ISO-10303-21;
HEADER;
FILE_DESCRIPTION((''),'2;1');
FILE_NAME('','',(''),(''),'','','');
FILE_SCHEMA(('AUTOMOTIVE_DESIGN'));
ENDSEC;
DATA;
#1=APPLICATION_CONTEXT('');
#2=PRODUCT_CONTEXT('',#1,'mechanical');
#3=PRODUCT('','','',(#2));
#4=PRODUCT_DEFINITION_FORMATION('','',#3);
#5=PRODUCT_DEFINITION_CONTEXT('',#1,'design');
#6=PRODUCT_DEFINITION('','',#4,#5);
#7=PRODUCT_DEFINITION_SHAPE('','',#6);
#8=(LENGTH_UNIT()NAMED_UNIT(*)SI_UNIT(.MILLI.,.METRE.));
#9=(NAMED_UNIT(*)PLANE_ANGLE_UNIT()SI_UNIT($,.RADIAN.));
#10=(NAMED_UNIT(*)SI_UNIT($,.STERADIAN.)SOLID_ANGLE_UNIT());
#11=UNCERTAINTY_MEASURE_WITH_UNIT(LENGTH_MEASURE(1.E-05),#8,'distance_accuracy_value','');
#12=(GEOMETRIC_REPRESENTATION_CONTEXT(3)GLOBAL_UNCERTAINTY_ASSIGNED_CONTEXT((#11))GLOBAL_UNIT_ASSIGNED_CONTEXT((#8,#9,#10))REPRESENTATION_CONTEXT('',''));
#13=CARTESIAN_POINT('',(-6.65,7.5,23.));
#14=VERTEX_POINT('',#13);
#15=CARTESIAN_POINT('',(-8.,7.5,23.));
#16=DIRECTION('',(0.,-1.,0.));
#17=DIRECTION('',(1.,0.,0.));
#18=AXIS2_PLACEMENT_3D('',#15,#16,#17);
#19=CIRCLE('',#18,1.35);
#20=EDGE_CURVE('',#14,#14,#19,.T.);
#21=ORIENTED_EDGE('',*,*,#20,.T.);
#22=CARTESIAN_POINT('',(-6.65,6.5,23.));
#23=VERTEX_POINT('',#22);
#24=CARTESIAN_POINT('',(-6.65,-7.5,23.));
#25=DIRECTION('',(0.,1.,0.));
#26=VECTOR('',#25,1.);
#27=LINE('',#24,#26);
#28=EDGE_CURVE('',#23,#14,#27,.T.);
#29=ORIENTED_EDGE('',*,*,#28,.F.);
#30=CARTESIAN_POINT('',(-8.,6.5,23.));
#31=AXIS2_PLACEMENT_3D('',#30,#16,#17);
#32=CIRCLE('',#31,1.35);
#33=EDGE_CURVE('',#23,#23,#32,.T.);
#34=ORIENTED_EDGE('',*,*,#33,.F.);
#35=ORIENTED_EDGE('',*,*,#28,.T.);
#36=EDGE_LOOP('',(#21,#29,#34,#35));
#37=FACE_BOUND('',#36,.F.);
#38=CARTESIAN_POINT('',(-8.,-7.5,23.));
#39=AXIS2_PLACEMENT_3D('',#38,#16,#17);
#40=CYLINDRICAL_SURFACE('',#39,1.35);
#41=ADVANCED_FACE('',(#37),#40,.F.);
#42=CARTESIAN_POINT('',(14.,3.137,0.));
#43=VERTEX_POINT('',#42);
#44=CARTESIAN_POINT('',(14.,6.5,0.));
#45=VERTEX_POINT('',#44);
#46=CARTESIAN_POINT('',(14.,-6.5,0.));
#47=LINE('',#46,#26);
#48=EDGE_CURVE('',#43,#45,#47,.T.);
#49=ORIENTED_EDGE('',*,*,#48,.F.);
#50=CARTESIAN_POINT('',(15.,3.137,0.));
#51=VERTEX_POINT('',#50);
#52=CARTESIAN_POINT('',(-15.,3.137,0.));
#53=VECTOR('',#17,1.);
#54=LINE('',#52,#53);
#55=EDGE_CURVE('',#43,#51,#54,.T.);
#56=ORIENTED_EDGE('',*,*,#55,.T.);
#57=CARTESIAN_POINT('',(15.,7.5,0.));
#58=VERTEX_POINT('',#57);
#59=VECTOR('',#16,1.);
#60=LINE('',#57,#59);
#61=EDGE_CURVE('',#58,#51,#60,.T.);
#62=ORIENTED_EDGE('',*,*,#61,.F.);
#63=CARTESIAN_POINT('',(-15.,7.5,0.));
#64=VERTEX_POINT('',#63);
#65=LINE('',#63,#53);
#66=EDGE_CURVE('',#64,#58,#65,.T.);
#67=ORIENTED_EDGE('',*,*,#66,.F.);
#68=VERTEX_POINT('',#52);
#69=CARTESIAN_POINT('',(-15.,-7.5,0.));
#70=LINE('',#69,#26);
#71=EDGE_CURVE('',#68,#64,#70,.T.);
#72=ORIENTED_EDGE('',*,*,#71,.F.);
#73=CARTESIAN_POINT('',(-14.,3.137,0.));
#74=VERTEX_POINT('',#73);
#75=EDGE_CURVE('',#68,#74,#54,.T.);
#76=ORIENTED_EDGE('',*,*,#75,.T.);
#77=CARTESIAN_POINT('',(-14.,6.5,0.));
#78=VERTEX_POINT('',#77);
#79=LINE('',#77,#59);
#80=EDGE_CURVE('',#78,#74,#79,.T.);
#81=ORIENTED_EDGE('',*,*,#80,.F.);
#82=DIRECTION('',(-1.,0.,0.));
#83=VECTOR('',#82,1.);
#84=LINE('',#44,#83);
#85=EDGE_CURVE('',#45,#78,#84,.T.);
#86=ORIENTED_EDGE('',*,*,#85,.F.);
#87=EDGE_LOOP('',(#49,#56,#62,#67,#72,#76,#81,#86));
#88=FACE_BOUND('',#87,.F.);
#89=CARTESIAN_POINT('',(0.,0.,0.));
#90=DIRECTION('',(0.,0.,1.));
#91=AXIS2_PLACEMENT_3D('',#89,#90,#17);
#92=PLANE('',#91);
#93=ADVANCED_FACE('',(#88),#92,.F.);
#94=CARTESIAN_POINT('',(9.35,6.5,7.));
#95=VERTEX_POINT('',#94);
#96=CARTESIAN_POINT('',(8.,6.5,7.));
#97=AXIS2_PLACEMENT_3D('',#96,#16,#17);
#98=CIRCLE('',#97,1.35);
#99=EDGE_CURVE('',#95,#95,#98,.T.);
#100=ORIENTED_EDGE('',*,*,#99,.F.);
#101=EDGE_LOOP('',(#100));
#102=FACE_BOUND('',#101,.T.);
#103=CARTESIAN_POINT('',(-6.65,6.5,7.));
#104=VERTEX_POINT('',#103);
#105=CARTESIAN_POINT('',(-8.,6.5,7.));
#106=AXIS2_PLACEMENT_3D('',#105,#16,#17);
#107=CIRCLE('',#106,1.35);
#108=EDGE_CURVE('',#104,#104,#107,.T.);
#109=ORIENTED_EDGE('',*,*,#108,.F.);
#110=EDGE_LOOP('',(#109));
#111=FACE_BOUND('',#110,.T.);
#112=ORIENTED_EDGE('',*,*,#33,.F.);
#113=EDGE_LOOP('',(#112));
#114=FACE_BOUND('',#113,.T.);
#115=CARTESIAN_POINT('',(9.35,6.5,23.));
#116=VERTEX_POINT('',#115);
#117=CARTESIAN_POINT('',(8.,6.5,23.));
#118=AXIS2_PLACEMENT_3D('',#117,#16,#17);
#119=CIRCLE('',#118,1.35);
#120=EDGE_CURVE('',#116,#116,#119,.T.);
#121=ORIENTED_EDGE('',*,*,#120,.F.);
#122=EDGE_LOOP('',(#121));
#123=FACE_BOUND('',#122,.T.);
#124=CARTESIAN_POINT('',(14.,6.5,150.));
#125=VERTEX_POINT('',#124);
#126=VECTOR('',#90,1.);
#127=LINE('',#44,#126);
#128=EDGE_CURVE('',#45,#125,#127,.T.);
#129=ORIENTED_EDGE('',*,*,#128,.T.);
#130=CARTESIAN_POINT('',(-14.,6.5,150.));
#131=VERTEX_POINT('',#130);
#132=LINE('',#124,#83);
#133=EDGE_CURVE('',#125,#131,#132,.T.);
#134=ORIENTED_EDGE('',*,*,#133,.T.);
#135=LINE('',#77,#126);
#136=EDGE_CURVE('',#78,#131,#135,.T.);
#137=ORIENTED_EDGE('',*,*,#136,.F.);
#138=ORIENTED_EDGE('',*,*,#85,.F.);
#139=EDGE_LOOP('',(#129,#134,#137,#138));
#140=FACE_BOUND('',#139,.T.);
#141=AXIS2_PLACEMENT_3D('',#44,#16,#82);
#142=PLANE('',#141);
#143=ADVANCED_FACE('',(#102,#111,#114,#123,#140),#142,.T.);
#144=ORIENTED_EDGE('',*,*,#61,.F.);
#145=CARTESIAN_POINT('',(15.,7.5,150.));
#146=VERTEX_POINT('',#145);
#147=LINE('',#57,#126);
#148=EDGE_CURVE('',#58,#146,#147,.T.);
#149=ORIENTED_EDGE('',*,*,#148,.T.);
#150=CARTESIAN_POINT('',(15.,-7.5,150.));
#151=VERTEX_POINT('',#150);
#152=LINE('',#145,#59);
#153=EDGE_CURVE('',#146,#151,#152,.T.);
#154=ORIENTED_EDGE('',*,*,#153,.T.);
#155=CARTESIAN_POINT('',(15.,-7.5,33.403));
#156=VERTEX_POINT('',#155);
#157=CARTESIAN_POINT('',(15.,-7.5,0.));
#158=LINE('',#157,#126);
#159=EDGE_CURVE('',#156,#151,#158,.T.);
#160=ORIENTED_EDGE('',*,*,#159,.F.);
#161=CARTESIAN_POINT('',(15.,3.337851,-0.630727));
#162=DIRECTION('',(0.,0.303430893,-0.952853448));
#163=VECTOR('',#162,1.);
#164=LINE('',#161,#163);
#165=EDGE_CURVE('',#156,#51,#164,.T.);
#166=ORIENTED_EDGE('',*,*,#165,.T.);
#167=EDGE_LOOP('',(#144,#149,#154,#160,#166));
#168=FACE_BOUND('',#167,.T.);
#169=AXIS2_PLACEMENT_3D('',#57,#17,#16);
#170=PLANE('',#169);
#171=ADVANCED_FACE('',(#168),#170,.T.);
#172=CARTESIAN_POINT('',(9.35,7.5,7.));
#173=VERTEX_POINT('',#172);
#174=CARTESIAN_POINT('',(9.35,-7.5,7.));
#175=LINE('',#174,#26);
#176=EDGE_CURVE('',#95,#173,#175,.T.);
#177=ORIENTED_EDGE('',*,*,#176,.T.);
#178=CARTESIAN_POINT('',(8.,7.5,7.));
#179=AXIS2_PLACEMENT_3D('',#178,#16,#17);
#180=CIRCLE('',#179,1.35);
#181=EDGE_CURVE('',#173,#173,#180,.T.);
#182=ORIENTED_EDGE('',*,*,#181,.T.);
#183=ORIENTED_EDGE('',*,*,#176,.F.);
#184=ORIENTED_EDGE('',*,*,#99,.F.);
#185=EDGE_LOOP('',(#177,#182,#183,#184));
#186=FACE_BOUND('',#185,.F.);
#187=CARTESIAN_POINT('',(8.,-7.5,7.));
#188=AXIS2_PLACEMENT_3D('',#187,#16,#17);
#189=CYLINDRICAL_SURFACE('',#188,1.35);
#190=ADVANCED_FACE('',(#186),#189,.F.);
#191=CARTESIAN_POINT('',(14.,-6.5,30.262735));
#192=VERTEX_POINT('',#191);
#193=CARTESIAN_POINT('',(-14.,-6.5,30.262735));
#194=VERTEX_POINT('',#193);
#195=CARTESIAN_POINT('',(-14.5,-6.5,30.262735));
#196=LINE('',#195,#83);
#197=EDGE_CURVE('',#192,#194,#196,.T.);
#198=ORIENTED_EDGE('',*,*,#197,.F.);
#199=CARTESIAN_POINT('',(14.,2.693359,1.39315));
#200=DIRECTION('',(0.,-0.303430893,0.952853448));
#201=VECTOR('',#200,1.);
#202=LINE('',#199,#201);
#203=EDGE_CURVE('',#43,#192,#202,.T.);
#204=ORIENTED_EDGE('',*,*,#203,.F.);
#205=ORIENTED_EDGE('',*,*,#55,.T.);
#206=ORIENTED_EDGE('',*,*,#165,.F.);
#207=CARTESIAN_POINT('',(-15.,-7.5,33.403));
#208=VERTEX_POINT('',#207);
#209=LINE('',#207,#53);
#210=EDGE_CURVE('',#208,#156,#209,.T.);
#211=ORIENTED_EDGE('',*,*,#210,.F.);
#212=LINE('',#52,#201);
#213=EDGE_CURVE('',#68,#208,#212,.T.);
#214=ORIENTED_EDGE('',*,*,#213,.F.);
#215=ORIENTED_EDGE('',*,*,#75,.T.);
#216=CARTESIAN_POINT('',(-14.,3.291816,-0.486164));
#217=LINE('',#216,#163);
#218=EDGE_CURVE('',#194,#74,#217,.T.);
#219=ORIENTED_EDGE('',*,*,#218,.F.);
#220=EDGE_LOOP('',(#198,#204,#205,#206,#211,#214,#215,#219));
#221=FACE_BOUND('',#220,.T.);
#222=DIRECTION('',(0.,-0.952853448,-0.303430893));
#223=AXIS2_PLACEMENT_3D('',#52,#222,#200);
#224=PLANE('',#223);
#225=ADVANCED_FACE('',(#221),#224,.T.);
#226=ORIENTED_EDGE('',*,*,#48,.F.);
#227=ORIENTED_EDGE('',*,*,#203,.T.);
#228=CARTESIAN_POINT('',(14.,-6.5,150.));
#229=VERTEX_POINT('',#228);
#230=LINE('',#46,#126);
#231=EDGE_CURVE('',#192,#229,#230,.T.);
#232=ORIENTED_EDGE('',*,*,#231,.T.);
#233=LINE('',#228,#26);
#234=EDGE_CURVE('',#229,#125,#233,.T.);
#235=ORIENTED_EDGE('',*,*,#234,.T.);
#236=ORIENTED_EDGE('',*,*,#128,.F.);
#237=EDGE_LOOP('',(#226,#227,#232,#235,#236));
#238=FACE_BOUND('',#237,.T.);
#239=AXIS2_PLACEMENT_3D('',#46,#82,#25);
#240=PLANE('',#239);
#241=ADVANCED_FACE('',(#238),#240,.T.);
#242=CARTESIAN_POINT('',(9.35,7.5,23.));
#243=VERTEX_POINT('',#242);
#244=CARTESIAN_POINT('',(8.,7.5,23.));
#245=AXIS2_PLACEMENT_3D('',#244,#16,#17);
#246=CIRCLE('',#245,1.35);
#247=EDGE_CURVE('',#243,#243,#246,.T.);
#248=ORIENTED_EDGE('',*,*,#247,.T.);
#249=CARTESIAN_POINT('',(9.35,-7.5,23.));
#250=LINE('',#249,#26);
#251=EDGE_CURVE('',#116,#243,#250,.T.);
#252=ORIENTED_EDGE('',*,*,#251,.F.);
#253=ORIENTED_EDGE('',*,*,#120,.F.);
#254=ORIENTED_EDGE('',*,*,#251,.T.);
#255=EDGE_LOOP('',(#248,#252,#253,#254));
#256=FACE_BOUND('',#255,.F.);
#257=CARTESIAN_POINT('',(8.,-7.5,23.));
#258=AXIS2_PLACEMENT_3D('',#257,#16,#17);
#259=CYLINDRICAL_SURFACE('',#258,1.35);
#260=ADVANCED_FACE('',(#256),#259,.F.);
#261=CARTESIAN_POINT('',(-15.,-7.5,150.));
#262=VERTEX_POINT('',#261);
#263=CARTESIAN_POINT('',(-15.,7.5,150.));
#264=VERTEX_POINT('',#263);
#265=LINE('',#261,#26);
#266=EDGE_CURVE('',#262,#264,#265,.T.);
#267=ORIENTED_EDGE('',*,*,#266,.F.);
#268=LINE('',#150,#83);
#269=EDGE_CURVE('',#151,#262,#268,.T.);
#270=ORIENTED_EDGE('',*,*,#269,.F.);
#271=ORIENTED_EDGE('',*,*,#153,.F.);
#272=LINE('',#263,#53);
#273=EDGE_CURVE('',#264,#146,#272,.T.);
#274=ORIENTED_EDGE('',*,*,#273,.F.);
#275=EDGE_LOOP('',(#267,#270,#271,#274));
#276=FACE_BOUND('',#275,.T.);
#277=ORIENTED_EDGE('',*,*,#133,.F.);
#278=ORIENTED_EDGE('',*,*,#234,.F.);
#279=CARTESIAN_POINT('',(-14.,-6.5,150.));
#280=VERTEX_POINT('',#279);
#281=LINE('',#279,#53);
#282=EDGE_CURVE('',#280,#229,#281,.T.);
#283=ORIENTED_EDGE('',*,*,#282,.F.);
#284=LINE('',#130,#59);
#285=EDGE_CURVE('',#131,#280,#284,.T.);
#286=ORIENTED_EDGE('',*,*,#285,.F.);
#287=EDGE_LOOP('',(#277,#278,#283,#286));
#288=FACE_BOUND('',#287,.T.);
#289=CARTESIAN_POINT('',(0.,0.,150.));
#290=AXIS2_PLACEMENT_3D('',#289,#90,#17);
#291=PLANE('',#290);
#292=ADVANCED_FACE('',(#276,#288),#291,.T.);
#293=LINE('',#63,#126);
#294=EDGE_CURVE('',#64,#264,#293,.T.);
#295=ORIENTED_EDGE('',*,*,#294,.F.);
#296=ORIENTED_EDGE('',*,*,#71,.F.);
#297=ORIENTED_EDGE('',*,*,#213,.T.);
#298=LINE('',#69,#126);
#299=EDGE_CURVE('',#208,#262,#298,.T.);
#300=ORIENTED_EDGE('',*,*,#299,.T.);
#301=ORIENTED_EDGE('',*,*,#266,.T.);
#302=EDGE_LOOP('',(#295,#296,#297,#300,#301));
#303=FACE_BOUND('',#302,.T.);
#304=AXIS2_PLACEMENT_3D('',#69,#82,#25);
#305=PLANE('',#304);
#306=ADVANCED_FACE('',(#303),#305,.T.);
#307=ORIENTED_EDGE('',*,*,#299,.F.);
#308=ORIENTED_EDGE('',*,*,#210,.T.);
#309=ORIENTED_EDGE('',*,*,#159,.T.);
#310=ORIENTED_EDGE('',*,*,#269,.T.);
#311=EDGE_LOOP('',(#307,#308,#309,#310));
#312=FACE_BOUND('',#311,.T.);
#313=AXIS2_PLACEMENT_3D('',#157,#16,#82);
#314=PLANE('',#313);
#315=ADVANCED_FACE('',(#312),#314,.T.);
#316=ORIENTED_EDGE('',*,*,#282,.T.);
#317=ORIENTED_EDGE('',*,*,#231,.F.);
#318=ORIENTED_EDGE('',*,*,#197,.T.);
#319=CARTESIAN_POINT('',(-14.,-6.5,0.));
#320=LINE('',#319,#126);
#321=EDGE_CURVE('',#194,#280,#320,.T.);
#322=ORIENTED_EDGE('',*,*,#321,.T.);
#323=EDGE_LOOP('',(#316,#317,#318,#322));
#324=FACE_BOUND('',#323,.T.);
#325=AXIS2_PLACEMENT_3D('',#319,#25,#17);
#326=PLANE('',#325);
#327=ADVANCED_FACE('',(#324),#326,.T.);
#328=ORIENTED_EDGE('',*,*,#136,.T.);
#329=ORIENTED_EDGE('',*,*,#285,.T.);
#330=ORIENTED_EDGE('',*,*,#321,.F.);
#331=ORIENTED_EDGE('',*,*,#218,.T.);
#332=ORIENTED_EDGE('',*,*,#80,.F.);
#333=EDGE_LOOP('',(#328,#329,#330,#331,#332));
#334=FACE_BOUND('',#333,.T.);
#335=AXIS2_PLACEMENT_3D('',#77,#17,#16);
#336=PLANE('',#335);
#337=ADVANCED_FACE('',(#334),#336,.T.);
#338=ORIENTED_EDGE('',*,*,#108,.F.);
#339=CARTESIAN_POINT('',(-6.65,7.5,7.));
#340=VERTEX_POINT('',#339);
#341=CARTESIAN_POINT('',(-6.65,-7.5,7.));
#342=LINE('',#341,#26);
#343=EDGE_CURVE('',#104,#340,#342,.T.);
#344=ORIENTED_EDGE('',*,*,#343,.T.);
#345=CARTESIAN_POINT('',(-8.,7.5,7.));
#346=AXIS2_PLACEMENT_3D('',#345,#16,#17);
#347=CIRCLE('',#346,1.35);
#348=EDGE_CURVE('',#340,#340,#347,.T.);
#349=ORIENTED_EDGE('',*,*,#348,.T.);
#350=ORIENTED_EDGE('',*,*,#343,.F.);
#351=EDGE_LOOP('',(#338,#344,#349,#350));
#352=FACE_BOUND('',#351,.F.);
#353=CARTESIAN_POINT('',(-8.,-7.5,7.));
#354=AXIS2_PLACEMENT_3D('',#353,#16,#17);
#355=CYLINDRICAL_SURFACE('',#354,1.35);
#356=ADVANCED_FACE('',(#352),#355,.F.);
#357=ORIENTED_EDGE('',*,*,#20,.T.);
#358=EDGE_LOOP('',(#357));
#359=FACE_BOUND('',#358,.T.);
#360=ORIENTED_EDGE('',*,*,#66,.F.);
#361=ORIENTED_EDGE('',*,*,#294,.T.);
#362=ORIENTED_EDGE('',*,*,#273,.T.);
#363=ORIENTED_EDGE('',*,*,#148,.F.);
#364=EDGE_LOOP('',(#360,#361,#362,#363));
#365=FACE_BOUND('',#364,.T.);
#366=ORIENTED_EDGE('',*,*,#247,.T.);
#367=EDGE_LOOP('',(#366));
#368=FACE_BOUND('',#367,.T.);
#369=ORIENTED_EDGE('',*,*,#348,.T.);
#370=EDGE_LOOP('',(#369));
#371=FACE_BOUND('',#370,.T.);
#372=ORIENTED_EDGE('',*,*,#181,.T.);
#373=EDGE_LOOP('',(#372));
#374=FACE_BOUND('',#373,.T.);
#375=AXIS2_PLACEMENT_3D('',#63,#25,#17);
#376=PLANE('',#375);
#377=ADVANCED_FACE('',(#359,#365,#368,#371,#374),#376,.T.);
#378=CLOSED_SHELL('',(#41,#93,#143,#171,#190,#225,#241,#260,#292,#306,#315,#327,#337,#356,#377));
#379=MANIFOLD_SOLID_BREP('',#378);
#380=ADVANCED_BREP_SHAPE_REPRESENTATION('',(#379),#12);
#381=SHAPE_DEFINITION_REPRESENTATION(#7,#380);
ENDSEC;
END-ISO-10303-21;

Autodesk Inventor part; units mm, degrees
ref_plane "YZ Plane" through (0, 0, 0) normal (1, 0, 0) x (0, 1, 0)
ref_plane "XZ Plane" through (0, 0, 0) normal (0, 1, 0) x (-1, 0, 0)
ref_plane "XY Plane" through (0, 0, 0) normal (0, 0, 1) x (1, 0, 0)
sketch "草图1" plane through (0, 0, 0) normal (0, 0, 1) x (1, 0, 0)
  line L0 (15, -7.5) -> (-15, -7.5)
  line L1 (-15, -7.5) -> (-15, 7.5)
  line L2 (-15, 7.5) -> (15, 7.5)
  line L3 (15, 7.5) -> (15, -7.5)
  line L4 (15, -7.5) -> (-15, 7.5) construction
  line L5 (-15, -7.5) -> (15, 7.5) construction
  line L6 (14, 6.5) -> (-14, 6.5)
  line L7 (-14, 6.5) -> (-14, -6.5)
  line L8 (-14, -6.5) -> (14, -6.5)
  line L9 (14, -6.5) -> (14, 6.5)
  point P0 (0, 0)
  dimension "d0" = 30
  dimension "d1" = 15
  dimension "d2" = 1
extrude "拉伸1" add sketch "草图1" along normal blind 150
sketch "草图2" plane through (-15, -7.5, 0) normal (0, -1, 0) x (1, 0, 0)
  line L0 (-150, 0) -> (30, 0) projected
  line L1 (30, 30) -> (30, 0) projected
  line L2 (-150, 30) -> (30, 30) projected
  line L3 (-150, 30) -> (-150, 0) projected
  circle A0 centre (7, 7) radius 1.35 projected
  circle A1 centre (23, 7) radius 1.35 projected
  circle A2 centre (23, 23) radius 1.35 projected
  circle A3 centre (-109, 7) radius 1.35 projected
  circle A4 centre (7, 23) radius 1.35 projected
  circle A5 centre (-127, 23) radius 1.35 projected
  circle A6 centre (-127, 7) radius 1.35 projected
  circle A7 centre (-143, 7) radius 1.35 projected
  circle A8 centre (-11, 23) radius 1.35 projected
  circle A9 centre (-11, 7) radius 1.35 projected
  circle A10 centre (-109, 23) radius 1.35 projected
  circle A11 centre (-143, 23) radius 1.35 projected
  point P0 (15, 0)
extrude "拉伸2" cut sketch "草图2" against normal blind 23.75 contours A0 | A1 | A2 | A4
sketch "草图3" plane through (-15, -7.5, 0) normal (-1, 0, 0) x (0, 0, 1)
  line L0 (0, 0) -> (0, 15) projected
  line L1 (0, 10.637) -> (33.403, 0)
  line L2 (0, 0) -> (150, 0) projected
  point P0 (0, 7.5)
extrude "拉伸3" cut sketch "草图3" against normal blind 35
properties part number "40x15"
